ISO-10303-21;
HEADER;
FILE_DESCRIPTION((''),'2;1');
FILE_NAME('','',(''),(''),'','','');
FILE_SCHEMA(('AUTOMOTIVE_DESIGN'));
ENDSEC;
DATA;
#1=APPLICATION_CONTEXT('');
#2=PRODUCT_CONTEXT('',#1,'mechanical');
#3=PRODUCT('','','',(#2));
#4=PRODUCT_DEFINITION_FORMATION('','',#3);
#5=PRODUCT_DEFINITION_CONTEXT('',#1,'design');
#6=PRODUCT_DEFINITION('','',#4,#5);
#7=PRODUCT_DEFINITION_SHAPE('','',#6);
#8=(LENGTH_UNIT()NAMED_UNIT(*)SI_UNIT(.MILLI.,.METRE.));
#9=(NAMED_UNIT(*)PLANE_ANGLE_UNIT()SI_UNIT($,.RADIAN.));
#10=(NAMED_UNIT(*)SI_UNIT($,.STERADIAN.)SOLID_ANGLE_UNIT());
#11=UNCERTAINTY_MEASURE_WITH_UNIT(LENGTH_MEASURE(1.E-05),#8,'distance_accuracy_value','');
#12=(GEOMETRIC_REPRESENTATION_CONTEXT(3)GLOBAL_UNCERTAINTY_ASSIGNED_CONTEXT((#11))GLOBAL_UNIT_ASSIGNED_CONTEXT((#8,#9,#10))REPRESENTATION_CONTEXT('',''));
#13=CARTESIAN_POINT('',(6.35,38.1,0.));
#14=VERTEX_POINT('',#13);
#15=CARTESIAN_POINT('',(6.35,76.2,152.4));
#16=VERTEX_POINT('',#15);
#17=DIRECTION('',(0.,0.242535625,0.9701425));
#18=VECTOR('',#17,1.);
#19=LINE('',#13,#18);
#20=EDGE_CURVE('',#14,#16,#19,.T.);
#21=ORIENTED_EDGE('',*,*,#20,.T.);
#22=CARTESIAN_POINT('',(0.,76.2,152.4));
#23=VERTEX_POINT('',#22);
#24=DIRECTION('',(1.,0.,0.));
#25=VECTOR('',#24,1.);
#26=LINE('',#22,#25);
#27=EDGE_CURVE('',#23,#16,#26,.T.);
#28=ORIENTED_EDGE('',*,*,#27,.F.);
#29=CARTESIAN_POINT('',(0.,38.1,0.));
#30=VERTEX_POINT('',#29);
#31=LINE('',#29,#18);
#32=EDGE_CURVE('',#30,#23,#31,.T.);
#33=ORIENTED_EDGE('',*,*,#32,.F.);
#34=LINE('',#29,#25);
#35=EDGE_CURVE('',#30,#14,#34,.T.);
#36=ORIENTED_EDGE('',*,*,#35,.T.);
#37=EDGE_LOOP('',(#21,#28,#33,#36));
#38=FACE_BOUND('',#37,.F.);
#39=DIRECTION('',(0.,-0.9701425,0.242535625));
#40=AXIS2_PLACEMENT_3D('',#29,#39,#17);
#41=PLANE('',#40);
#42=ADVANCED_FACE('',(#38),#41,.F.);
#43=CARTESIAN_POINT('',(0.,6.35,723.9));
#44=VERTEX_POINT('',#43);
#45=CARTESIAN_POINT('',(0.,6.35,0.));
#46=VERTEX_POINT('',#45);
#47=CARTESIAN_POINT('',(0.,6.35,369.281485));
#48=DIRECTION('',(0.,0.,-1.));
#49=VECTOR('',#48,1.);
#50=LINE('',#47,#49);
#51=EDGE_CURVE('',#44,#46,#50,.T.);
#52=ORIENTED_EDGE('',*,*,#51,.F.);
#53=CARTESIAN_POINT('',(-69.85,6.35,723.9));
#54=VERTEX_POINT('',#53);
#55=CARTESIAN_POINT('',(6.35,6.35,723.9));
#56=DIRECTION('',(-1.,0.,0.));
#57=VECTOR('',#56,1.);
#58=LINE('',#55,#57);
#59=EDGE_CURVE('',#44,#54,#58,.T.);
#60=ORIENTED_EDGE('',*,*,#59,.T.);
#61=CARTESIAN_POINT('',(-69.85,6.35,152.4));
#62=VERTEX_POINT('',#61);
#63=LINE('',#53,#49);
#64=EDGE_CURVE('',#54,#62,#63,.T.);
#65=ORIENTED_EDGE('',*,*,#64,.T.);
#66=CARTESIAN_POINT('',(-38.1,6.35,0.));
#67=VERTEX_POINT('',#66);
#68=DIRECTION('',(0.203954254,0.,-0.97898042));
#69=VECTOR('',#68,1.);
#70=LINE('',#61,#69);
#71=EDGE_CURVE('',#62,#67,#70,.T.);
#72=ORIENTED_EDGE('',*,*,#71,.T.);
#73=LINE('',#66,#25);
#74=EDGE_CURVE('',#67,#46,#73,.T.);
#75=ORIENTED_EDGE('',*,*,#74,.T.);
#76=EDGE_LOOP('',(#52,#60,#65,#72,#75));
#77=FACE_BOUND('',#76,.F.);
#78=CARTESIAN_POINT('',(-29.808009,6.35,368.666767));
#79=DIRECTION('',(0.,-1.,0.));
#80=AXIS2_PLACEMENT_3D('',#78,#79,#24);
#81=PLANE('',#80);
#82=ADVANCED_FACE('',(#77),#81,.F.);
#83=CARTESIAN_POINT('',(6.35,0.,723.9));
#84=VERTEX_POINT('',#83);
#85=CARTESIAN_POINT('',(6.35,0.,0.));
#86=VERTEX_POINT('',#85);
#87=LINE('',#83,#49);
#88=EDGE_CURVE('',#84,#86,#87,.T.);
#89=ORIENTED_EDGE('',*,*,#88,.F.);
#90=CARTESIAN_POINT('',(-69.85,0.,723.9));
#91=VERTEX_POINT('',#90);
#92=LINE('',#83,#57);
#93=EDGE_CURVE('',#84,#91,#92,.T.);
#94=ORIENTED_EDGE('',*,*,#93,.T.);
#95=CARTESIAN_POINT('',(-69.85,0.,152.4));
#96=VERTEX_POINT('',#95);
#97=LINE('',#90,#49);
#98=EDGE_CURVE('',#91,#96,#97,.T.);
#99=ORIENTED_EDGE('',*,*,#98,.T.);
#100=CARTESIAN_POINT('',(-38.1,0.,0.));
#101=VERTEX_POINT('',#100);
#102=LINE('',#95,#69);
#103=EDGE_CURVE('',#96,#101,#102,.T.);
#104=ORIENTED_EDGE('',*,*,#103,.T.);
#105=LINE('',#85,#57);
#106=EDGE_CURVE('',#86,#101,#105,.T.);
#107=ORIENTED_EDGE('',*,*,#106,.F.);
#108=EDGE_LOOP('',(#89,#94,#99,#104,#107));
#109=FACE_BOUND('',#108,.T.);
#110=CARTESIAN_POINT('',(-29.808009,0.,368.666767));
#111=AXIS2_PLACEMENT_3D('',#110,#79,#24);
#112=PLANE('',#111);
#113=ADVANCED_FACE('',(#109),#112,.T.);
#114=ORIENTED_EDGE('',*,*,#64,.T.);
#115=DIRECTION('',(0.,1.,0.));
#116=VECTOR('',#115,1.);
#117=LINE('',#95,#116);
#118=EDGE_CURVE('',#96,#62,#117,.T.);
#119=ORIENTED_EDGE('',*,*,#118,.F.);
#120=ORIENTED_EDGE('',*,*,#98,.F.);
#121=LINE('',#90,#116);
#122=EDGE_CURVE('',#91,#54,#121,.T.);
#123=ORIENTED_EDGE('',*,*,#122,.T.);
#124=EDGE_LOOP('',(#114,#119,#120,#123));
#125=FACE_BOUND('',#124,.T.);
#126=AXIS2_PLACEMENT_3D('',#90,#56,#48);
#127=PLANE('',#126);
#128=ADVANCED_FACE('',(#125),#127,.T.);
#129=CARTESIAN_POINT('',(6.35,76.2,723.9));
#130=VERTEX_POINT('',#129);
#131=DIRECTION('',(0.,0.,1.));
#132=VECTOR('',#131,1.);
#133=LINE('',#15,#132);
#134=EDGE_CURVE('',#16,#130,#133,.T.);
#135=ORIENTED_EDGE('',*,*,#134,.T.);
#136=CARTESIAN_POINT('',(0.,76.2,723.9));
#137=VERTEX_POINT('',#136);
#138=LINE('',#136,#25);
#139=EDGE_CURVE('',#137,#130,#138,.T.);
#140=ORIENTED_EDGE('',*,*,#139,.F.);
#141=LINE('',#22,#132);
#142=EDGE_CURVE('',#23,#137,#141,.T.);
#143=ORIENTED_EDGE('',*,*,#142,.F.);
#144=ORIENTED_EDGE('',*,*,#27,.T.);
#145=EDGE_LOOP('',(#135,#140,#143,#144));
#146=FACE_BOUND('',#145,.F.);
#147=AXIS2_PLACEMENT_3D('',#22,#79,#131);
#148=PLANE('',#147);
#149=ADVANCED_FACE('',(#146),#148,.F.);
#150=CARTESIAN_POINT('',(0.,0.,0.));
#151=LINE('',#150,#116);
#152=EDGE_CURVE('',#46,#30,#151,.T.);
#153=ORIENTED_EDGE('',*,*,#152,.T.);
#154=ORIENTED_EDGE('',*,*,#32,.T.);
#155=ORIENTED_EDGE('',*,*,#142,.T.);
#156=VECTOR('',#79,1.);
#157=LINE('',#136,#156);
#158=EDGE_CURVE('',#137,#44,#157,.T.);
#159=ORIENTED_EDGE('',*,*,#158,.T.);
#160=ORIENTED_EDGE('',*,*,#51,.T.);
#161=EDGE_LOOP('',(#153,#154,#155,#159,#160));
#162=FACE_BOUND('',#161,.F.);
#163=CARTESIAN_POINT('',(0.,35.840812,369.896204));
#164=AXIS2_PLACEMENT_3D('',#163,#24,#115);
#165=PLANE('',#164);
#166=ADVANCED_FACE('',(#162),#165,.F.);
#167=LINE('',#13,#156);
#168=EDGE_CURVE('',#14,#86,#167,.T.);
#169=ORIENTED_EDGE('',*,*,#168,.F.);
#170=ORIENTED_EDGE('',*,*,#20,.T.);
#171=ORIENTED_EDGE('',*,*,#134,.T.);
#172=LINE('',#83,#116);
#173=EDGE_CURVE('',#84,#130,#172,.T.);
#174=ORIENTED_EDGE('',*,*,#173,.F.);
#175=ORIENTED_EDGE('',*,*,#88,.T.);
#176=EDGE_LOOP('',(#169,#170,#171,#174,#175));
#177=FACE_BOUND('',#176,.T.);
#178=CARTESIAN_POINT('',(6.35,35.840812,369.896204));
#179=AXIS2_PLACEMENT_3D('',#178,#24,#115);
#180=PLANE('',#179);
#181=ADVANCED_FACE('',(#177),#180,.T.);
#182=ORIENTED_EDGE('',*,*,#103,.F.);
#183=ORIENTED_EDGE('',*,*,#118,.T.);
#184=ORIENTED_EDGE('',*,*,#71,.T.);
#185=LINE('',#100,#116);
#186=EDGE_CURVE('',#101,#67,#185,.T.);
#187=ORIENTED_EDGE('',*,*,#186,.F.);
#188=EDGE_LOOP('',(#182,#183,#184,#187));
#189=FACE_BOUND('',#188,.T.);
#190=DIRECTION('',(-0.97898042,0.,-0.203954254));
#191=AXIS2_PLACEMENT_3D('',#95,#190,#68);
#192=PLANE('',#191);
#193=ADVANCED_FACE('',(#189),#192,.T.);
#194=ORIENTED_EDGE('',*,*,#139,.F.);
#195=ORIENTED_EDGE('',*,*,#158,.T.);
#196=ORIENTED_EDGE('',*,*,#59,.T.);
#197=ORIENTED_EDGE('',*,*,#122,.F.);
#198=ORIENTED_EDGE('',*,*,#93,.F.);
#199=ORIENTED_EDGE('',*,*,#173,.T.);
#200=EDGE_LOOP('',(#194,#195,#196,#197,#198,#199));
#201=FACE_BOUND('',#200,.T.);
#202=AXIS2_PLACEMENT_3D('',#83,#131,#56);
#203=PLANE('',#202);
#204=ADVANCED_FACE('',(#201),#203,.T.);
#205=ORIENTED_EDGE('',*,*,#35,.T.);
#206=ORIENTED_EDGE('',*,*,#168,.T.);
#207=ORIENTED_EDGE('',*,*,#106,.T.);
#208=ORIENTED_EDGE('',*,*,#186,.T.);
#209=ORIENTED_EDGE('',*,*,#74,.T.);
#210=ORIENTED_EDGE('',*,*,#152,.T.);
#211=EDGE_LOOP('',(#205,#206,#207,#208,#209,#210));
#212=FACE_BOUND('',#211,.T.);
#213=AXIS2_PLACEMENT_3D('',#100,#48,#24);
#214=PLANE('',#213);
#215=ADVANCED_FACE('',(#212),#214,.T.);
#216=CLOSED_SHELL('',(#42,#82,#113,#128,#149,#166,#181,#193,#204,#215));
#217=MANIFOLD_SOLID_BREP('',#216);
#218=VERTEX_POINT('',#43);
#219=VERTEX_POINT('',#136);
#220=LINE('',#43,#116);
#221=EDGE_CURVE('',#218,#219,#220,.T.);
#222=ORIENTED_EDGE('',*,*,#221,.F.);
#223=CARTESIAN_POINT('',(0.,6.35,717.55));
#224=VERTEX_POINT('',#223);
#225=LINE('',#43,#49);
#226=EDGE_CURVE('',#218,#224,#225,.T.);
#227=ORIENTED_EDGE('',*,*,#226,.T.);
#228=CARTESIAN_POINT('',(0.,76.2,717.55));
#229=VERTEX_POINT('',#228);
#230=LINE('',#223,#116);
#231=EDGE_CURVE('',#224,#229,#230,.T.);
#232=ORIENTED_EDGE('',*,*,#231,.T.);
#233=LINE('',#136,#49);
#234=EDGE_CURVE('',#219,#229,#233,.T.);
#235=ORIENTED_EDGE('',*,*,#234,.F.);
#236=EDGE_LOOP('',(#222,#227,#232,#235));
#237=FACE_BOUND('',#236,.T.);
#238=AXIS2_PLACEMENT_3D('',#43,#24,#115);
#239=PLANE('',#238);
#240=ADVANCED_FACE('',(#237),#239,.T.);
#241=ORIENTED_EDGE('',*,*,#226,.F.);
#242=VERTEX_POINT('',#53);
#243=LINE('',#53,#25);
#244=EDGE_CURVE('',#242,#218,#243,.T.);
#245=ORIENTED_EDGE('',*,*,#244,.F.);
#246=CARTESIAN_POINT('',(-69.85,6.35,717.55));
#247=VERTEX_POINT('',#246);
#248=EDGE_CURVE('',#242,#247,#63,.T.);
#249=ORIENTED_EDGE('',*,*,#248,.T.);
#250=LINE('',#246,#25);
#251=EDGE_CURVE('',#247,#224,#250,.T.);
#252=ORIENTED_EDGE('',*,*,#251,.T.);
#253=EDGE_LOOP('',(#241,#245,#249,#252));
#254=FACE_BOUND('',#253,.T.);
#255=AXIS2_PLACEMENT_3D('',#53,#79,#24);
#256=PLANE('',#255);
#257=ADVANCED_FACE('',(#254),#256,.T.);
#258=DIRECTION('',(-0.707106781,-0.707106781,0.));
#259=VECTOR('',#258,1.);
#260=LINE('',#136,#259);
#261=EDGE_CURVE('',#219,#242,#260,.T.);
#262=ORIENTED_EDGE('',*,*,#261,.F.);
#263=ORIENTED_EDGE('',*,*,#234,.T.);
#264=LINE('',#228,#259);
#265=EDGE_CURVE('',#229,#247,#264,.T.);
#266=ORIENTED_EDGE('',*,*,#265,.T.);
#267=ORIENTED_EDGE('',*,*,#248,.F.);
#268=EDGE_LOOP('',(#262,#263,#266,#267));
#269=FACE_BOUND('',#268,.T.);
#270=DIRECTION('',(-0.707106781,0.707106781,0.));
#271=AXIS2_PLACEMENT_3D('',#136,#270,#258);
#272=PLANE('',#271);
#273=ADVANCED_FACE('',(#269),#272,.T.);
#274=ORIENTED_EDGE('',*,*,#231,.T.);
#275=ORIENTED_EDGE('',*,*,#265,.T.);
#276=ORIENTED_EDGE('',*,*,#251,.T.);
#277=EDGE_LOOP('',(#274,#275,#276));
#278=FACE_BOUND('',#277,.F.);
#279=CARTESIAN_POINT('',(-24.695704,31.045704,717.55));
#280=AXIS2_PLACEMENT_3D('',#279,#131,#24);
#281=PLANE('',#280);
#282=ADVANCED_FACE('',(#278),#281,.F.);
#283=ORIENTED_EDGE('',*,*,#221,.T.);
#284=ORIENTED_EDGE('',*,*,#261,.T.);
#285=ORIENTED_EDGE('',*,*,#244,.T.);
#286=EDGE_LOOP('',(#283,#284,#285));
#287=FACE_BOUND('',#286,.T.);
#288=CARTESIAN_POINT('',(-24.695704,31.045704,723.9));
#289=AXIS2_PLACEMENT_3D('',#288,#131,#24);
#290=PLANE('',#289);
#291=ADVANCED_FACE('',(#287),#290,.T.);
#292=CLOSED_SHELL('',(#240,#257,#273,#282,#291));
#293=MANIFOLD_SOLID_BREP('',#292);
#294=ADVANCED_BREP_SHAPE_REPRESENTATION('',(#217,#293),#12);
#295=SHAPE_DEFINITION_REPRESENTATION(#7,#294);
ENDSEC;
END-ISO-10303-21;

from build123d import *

# Parameters (mm, degrees)
F1_DEPTH = 6.35
F3_DEPTH = 6.35
F5_DEPTH = 6.35


with BuildPart() as f1:
    # F0 (on Right) → F1 (new body)
    with BuildSketch(Plane.YZ):
        Polygon((0, 723.9), (0, 0), (38.1, 0), (76.2, 152.4), (76.2, 723.9), align=None)
    extrude(amount=F1_DEPTH)

    # F2 (on Front) → F3 (join)
    with BuildSketch(Plane.XZ):
        Polygon((-38.1, 0), (6.35, 0), (6.35, 723.9), (-69.85, 723.9), (-69.85, 152.4), align=None)
    extrude(amount=-F3_DEPTH)


with BuildPart() as f5:
    # F4 (on face) → F5 (new body)
    with BuildSketch(Plane.XY.offset(723.9)):
        Polygon((0, 76.2), (-69.85, 6.35), (0, 6.35), align=None)
    extrude(amount=-F5_DEPTH)


solid = Compound([f1.part, f5.part])
